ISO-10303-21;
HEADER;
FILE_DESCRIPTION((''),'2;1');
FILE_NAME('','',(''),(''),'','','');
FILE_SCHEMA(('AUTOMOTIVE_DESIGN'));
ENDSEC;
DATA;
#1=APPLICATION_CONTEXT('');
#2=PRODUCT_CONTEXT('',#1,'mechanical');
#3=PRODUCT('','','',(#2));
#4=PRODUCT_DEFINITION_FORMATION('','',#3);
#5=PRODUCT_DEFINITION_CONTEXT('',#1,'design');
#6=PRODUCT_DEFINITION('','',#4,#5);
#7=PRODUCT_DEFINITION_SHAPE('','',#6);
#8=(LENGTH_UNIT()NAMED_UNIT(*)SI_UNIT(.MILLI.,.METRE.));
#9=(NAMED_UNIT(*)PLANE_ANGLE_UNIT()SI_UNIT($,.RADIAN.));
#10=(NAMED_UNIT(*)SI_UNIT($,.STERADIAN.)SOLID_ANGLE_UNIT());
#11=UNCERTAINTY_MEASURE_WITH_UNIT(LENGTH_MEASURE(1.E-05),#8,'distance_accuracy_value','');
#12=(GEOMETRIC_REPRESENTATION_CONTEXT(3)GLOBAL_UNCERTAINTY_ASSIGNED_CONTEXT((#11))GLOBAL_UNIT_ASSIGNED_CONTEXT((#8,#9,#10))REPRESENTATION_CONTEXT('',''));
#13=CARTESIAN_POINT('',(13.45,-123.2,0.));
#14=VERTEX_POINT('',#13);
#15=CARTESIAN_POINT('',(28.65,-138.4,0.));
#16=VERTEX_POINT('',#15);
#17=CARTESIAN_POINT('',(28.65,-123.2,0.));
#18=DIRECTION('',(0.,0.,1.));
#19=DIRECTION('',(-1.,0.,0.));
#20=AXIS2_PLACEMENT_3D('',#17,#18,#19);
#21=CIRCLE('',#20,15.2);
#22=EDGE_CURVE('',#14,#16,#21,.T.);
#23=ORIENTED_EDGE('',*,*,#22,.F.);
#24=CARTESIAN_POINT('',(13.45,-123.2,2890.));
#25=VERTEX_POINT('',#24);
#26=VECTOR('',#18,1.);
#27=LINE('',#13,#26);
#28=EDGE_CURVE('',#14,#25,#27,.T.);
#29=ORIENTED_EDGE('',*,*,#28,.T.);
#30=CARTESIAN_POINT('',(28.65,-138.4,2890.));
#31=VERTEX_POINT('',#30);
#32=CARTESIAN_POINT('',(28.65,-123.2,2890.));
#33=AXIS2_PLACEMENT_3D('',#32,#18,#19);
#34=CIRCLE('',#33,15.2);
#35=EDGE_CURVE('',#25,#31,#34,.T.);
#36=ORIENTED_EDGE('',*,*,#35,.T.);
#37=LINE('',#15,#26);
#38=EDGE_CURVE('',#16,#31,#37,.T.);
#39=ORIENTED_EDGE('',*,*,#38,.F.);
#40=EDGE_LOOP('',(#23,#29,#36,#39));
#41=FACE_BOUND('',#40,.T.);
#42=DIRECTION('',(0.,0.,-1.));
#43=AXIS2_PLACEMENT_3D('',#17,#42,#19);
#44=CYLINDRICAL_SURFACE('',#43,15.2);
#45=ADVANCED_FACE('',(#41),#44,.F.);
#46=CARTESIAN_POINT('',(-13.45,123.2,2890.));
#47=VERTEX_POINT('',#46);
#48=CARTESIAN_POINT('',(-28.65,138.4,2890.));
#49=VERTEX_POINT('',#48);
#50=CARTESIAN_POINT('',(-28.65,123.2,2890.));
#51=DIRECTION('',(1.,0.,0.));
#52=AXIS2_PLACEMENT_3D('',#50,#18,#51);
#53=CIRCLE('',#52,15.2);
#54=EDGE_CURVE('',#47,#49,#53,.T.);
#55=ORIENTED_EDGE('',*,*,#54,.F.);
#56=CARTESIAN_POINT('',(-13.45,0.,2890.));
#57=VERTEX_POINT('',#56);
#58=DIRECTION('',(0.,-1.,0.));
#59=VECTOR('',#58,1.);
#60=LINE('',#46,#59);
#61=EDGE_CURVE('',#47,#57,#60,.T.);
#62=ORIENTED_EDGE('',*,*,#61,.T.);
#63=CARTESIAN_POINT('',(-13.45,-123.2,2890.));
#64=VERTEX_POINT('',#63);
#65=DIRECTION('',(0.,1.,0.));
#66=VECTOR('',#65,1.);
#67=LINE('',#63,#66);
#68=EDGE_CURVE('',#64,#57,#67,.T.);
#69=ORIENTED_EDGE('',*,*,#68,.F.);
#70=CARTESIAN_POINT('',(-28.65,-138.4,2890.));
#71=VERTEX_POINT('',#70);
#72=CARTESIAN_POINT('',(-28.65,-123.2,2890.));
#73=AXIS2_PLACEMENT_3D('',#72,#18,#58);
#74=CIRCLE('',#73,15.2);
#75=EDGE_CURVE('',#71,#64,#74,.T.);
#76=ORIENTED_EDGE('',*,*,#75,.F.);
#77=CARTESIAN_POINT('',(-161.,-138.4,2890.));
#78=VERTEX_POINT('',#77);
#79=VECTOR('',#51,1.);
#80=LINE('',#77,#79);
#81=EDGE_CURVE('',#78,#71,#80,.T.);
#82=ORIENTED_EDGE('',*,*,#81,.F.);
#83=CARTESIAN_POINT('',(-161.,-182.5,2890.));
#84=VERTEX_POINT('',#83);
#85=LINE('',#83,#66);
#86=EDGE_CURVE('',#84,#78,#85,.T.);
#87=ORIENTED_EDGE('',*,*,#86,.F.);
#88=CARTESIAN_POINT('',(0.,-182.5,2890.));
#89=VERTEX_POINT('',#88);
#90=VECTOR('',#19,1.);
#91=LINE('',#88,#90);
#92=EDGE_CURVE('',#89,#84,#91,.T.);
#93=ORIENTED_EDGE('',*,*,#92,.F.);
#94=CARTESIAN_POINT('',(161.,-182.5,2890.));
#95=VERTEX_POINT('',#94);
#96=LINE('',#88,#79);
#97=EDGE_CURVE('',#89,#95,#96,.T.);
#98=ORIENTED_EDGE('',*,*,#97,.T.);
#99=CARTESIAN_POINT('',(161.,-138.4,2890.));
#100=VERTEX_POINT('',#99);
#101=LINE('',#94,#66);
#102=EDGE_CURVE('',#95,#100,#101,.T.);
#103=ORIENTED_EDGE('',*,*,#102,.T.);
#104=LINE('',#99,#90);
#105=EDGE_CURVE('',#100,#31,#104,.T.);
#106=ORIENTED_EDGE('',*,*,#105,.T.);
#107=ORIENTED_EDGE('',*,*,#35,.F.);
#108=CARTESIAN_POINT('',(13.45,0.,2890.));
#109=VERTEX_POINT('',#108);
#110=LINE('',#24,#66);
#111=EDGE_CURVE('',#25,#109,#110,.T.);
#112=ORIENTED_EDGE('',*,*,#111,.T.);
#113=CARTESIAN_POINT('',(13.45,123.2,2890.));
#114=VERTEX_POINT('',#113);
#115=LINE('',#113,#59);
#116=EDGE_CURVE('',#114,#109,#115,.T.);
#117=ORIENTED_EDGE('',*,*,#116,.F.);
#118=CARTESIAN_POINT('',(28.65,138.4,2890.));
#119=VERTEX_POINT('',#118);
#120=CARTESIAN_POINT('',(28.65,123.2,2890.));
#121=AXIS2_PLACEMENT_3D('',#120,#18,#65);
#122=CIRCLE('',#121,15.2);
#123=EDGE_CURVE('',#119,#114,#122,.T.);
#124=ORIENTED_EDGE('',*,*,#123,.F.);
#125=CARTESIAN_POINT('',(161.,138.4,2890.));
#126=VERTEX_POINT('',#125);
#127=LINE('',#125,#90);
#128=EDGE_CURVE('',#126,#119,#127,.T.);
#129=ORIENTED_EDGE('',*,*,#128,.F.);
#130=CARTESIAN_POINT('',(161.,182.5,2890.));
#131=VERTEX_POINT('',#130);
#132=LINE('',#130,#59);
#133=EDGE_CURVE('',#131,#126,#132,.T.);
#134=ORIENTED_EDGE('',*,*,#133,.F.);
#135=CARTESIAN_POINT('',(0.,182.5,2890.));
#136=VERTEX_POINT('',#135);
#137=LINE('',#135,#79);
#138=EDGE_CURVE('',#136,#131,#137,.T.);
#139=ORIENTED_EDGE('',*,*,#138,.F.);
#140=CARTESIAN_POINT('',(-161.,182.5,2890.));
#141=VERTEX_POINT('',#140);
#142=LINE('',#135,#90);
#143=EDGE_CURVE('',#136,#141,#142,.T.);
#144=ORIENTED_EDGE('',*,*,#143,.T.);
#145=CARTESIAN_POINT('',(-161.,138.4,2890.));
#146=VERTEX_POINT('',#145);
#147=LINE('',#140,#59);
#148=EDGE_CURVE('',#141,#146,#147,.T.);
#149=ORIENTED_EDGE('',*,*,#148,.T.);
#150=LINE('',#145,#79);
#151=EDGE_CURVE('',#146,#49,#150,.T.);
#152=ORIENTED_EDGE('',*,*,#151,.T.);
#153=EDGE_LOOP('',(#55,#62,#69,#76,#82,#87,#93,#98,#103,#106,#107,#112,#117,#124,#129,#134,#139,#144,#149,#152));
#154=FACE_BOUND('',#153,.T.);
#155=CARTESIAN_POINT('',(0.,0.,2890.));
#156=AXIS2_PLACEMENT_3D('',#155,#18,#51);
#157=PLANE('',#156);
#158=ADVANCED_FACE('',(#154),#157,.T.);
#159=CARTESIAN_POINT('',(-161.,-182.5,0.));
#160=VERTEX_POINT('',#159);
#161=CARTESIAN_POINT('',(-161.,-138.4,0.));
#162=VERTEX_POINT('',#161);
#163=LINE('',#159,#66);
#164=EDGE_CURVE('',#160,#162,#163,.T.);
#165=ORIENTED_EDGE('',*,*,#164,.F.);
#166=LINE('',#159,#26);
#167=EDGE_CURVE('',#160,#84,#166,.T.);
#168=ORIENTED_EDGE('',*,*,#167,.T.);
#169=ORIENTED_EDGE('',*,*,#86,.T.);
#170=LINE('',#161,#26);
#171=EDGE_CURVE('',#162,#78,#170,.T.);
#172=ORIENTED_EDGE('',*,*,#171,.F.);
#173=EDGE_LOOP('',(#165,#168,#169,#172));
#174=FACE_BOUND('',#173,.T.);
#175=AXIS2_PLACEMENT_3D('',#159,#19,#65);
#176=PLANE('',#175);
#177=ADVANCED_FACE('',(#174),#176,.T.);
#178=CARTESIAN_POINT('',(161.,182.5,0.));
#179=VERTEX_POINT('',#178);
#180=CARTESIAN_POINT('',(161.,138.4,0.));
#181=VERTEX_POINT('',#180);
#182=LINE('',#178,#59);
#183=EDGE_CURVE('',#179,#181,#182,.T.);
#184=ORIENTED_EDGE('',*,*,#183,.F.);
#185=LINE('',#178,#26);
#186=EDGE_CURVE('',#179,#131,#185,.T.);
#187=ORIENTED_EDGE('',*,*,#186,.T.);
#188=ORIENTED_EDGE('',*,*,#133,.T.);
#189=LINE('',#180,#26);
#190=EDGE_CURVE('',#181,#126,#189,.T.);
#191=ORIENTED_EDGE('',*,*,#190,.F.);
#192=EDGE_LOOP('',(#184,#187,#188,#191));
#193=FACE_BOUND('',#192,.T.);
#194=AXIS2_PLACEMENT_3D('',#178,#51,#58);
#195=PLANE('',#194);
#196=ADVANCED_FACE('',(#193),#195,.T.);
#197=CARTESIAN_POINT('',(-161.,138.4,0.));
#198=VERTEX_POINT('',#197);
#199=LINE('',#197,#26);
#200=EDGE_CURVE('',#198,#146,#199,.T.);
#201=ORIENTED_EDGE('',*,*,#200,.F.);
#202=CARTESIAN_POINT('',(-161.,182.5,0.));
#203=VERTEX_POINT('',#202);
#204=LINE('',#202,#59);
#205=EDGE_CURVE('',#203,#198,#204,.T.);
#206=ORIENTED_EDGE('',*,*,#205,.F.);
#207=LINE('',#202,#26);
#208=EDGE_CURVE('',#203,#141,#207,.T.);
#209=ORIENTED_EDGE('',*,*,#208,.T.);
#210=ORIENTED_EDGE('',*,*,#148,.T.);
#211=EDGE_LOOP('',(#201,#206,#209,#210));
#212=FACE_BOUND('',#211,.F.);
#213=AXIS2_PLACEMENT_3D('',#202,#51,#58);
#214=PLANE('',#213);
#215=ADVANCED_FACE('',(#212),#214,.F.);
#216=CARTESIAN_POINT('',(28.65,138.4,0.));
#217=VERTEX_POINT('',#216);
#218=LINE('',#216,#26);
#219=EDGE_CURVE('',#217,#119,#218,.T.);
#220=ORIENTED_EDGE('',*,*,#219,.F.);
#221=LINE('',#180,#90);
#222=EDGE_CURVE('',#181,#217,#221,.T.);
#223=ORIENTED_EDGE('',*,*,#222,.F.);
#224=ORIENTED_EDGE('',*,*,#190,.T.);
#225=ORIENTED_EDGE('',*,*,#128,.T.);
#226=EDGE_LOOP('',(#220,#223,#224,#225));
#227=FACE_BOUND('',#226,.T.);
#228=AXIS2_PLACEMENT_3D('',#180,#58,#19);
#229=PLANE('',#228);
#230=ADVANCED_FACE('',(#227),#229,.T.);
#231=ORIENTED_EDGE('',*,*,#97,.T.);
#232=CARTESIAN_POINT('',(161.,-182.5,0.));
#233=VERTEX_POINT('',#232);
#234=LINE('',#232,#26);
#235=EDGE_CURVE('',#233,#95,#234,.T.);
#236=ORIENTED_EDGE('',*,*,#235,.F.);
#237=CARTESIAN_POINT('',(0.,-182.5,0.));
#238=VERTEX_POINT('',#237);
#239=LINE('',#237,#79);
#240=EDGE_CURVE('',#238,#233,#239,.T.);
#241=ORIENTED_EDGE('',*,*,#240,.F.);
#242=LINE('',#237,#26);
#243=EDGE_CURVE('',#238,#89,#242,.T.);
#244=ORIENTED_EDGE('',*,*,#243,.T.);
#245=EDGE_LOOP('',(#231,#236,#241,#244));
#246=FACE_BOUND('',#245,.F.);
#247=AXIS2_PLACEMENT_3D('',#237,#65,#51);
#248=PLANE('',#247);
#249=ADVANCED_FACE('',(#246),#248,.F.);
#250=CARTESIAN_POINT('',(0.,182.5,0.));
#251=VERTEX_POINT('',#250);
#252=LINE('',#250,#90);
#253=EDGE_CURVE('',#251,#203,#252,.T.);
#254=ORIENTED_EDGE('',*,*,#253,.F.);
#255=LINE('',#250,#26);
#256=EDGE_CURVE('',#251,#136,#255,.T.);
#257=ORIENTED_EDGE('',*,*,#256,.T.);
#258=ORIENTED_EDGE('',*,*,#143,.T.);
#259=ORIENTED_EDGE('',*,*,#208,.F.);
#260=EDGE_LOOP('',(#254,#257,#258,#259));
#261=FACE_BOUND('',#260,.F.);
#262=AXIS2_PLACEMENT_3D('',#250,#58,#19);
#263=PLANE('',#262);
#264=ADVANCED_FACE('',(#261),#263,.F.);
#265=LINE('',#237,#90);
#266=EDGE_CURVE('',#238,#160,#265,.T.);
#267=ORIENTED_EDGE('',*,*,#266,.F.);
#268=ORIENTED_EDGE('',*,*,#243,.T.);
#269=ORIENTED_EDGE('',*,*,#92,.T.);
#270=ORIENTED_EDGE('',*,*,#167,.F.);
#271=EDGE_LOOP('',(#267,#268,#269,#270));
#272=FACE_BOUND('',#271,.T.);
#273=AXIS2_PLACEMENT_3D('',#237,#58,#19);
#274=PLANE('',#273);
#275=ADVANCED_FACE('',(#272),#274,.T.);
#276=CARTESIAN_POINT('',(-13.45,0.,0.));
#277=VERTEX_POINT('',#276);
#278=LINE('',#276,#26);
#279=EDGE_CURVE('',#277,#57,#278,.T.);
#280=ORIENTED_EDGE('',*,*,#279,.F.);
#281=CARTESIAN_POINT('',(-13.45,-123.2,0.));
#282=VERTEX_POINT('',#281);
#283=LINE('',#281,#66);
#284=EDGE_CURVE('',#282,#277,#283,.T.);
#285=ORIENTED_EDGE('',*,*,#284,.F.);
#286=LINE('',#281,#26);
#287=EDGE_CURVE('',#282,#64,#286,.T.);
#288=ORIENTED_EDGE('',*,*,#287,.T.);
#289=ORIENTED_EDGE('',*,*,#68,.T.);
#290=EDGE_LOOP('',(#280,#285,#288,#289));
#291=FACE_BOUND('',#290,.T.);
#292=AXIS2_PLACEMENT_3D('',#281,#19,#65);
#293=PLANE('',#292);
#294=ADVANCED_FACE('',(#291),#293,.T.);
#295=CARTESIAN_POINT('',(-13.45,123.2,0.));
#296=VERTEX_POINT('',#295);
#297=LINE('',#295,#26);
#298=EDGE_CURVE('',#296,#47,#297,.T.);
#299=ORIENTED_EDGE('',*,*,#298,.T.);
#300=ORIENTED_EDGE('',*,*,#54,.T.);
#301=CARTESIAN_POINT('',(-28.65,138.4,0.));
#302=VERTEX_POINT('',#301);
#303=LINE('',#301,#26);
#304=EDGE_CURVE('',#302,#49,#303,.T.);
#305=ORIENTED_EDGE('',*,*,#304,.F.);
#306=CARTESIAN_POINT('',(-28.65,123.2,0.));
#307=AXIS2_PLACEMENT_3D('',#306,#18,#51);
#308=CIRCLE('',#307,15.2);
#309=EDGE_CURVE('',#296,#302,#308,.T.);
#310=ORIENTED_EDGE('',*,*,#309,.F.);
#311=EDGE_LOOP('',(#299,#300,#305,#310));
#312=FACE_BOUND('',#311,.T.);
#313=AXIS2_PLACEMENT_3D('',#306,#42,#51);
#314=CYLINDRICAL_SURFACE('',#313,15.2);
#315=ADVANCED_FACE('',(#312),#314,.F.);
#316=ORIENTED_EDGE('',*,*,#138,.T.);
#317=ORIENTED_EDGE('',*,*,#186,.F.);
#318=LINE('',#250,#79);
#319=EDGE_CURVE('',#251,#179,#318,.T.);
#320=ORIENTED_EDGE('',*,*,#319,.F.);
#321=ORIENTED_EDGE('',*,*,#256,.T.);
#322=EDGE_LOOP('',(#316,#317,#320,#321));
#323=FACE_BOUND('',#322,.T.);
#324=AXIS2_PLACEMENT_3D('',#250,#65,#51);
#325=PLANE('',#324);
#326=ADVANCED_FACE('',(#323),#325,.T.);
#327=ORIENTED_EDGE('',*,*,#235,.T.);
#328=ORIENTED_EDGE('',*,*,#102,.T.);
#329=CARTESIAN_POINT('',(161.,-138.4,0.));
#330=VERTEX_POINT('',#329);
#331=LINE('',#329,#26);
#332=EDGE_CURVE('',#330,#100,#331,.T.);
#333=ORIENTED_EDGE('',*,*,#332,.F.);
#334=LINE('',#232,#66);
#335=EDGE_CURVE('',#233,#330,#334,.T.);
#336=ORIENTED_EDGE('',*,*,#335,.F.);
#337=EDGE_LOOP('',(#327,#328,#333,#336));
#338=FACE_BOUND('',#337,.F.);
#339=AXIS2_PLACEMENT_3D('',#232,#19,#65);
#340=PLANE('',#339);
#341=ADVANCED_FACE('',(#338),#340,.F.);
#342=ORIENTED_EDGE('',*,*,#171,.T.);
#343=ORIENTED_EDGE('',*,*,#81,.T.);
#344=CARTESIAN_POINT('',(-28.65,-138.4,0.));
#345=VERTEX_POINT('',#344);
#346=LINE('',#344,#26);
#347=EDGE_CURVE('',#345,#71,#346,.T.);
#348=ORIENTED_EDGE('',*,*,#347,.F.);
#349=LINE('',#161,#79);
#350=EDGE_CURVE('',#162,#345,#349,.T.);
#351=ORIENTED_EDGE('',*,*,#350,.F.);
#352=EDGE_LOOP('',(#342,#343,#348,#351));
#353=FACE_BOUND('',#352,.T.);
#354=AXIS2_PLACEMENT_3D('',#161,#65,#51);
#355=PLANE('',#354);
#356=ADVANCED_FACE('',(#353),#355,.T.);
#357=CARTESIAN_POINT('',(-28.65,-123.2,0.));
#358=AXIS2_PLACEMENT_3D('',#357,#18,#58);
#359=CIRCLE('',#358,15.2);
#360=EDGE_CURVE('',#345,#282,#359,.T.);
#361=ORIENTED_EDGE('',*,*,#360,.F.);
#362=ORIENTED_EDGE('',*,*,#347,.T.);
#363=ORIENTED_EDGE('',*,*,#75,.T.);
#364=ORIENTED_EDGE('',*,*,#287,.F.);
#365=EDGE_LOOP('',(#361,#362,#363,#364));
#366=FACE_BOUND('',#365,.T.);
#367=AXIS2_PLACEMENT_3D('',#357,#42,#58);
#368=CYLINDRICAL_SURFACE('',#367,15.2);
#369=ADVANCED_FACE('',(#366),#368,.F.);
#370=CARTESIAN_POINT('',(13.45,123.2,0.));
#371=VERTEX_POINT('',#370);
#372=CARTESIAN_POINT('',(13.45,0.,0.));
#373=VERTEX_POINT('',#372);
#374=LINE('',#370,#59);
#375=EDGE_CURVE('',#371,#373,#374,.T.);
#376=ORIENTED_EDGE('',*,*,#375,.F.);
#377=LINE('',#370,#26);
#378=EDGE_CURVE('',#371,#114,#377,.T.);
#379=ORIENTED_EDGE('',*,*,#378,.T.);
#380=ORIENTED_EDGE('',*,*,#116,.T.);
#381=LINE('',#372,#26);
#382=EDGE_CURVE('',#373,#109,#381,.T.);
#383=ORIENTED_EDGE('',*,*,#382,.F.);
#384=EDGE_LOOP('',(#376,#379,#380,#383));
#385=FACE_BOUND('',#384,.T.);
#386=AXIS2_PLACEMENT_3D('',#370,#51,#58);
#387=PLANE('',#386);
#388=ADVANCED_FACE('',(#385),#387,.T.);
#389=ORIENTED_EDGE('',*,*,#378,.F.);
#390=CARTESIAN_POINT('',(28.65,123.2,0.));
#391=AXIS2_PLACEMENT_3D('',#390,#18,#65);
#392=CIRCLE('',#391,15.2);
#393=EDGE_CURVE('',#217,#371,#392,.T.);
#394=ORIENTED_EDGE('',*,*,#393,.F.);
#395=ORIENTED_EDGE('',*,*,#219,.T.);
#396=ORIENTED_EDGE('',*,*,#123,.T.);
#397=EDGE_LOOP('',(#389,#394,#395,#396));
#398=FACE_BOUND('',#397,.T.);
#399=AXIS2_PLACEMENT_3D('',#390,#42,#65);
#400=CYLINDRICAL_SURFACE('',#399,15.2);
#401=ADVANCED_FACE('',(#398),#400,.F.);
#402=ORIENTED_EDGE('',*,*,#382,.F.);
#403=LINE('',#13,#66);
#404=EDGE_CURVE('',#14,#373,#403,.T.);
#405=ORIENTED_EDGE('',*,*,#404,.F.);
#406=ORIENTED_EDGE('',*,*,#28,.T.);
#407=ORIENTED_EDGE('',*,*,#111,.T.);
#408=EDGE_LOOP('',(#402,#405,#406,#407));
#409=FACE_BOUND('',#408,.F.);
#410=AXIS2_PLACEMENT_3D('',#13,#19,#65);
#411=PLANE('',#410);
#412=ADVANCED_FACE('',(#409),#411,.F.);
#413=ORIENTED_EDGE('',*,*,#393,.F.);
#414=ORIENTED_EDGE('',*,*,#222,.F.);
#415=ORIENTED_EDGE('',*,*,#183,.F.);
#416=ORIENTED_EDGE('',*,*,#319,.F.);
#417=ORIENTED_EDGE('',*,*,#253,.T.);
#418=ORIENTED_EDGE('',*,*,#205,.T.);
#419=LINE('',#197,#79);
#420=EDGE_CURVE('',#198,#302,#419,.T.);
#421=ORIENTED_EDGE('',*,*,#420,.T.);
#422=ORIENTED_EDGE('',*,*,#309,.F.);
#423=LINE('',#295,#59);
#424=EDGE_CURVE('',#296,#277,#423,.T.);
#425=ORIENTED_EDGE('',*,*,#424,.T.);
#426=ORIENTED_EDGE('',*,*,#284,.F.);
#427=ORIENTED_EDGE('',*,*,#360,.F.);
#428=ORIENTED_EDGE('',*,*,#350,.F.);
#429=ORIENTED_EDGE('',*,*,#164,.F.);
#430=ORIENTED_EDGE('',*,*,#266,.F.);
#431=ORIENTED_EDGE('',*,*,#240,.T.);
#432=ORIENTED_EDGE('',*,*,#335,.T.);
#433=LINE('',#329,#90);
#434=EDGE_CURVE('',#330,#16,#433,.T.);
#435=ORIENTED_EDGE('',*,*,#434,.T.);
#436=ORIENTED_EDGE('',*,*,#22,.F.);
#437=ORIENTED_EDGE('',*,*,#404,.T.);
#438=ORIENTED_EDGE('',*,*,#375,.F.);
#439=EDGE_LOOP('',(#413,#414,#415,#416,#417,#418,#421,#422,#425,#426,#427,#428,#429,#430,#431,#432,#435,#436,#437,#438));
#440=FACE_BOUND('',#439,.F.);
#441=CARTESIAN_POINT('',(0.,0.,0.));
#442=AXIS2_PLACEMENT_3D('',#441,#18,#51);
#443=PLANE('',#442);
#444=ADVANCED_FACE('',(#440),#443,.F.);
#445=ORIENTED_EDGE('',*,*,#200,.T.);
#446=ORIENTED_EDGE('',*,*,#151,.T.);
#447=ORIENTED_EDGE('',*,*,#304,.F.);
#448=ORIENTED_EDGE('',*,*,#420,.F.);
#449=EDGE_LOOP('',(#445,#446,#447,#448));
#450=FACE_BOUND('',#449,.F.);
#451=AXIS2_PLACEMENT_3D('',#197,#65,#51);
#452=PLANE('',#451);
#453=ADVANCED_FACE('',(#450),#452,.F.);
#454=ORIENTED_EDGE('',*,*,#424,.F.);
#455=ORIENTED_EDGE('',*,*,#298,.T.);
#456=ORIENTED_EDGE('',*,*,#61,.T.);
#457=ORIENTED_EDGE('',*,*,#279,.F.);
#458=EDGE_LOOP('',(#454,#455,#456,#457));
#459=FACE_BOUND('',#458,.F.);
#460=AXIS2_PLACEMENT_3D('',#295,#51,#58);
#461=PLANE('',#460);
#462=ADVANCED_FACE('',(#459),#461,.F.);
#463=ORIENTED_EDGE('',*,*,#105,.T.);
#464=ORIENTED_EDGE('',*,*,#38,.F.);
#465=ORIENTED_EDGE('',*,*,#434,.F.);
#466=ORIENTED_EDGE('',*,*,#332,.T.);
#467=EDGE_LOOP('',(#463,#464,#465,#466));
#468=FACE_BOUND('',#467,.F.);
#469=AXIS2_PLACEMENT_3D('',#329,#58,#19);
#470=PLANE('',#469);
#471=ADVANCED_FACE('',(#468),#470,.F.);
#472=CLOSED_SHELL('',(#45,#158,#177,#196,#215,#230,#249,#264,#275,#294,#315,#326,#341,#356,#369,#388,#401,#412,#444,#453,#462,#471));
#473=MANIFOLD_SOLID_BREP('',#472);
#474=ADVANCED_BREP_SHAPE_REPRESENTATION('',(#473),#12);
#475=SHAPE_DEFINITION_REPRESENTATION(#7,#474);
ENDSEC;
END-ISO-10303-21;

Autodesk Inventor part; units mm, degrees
ref_plane "YZ Plane" through (0, 0, 0) normal (1, 0, 0) x (0, 1, 0)
ref_plane "Start plane" through (0, 0, 0) normal (0, 0, 1) x (1, 0, 0)
ref_plane "End plane" through (0, 0, 2890) normal (0, 0, 1) x (1, 0, 0)
sketch "Sketch" plane through (0, 0, 0) normal (0, 0, 1) x (1, 0, 0)
  line L0 (-161, -182.5) -> (-161, -138.4)
  line L1 (-161, -138.4) -> (-28.65, -138.4)
  line L2 (-13.45, -123.2) -> (-13.45, 0)
  line L3 (-13.45, 0) -> (0, 0) construction
  line L4 (0, 0) -> (0, -182.5) construction
  line L5 (0, -182.5) -> (-161, -182.5)
  line L6 (-60, 0) -> (80, 0) construction
  line L7 (0, -60) -> (0, 80) construction
  line L8 (161, -182.5) -> (161, -138.4)
  line L9 (161, -138.4) -> (28.65, -138.4)
  line L10 (13.45, -123.2) -> (13.45, 0)
  line L11 (13.45, 0) -> (0, 0) construction
  line L12 (0, -182.5) -> (161, -182.5)
  line L13 (-161, 182.5) -> (-161, 138.4)
  line L14 (-161, 138.4) -> (-28.65, 138.4)
  line L15 (-13.45, 123.2) -> (-13.45, 0)
  line L16 (0, 182.5) -> (-161, 182.5)
  line L17 (161, 182.5) -> (161, 138.4)
  line L18 (161, 138.4) -> (28.65, 138.4)
  line L19 (0, 182.5) -> (161, 182.5)
  line L20 (13.45, 123.2) -> (13.45, 0)
  arc A0 (-13.45, 123.2) -> (-28.65, 138.4) centre (-28.65, 123.2) ccw
  arc A1 (28.65, 138.4) -> (13.45, 123.2) centre (28.65, 123.2) ccw
  arc A2 (13.45, -123.2) -> (28.65, -138.4) centre (28.65, -123.2) ccw
  arc A3 (-28.65, -138.4) -> (-13.45, -123.2) centre (-28.65, -123.2) ccw
  line L21 (0, 108) -> (0, -88) construction
  line L22 (-88, 0) -> (108, 0) construction
  point P0 (-13.45, -138.4)
  point P1 (13.45, -138.4)
  point P2 (-13.45, 138.4)
  point P3 (13.45, 138.4)
  dimension "d1" = 182.5
  dimension "d2" = 44.1
  dimension "d3" = 161
  dimension "d4" = 13.45
  dimension "d10" = 15.2
extrude "Body" add sketch "Sketch" along normal up to surface (2890 mm away) from surface at 0
sketch "Sketch4" plane through (0, 0, 0) normal (0, 0, 1) x (1, 0, 0)
  line L0 (0, 0) -> (10, 0)
ref_plane "Work Plane3" through (0, 0, 0) normal (0, -1, 0) x (1, 0, 0)
sketch "Sketch5" plane through (0, 0, 0) normal (0, -1, 0) x (1, 0, 0)
  line L0 (-2, 0) -> (12, 0) projected
  line L1 (-2, 2890) -> (12, 2890) projected
  dimension "d14" = 2890
equation "\"d1\" = 0.5 * G_H"
equation "\"d2\" = G_T1"
equation "\"d3\" = 0.5 * G_W"
equation "\"d4\" = 0.5 * G_T"
equation "\"d10\" = G_IR"
equation "\"d5\" = G_L"
equation "\"G_W\" = 322"
equation "\"G_H\" = 365"
equation "\"G_T\" = 26.9"
equation "\"G_T1\" = 44.1"
equation "\"G_IR\" = 15.2"
equation "\"G_L\" = d14"
equation "\"G_OFFSET_START\" = 0"
equation "\"G_OFFSET_END\" = 0"
properties part number "AS 3679 - 310 UC - 283 - 2890" material "Steel, Mild"
